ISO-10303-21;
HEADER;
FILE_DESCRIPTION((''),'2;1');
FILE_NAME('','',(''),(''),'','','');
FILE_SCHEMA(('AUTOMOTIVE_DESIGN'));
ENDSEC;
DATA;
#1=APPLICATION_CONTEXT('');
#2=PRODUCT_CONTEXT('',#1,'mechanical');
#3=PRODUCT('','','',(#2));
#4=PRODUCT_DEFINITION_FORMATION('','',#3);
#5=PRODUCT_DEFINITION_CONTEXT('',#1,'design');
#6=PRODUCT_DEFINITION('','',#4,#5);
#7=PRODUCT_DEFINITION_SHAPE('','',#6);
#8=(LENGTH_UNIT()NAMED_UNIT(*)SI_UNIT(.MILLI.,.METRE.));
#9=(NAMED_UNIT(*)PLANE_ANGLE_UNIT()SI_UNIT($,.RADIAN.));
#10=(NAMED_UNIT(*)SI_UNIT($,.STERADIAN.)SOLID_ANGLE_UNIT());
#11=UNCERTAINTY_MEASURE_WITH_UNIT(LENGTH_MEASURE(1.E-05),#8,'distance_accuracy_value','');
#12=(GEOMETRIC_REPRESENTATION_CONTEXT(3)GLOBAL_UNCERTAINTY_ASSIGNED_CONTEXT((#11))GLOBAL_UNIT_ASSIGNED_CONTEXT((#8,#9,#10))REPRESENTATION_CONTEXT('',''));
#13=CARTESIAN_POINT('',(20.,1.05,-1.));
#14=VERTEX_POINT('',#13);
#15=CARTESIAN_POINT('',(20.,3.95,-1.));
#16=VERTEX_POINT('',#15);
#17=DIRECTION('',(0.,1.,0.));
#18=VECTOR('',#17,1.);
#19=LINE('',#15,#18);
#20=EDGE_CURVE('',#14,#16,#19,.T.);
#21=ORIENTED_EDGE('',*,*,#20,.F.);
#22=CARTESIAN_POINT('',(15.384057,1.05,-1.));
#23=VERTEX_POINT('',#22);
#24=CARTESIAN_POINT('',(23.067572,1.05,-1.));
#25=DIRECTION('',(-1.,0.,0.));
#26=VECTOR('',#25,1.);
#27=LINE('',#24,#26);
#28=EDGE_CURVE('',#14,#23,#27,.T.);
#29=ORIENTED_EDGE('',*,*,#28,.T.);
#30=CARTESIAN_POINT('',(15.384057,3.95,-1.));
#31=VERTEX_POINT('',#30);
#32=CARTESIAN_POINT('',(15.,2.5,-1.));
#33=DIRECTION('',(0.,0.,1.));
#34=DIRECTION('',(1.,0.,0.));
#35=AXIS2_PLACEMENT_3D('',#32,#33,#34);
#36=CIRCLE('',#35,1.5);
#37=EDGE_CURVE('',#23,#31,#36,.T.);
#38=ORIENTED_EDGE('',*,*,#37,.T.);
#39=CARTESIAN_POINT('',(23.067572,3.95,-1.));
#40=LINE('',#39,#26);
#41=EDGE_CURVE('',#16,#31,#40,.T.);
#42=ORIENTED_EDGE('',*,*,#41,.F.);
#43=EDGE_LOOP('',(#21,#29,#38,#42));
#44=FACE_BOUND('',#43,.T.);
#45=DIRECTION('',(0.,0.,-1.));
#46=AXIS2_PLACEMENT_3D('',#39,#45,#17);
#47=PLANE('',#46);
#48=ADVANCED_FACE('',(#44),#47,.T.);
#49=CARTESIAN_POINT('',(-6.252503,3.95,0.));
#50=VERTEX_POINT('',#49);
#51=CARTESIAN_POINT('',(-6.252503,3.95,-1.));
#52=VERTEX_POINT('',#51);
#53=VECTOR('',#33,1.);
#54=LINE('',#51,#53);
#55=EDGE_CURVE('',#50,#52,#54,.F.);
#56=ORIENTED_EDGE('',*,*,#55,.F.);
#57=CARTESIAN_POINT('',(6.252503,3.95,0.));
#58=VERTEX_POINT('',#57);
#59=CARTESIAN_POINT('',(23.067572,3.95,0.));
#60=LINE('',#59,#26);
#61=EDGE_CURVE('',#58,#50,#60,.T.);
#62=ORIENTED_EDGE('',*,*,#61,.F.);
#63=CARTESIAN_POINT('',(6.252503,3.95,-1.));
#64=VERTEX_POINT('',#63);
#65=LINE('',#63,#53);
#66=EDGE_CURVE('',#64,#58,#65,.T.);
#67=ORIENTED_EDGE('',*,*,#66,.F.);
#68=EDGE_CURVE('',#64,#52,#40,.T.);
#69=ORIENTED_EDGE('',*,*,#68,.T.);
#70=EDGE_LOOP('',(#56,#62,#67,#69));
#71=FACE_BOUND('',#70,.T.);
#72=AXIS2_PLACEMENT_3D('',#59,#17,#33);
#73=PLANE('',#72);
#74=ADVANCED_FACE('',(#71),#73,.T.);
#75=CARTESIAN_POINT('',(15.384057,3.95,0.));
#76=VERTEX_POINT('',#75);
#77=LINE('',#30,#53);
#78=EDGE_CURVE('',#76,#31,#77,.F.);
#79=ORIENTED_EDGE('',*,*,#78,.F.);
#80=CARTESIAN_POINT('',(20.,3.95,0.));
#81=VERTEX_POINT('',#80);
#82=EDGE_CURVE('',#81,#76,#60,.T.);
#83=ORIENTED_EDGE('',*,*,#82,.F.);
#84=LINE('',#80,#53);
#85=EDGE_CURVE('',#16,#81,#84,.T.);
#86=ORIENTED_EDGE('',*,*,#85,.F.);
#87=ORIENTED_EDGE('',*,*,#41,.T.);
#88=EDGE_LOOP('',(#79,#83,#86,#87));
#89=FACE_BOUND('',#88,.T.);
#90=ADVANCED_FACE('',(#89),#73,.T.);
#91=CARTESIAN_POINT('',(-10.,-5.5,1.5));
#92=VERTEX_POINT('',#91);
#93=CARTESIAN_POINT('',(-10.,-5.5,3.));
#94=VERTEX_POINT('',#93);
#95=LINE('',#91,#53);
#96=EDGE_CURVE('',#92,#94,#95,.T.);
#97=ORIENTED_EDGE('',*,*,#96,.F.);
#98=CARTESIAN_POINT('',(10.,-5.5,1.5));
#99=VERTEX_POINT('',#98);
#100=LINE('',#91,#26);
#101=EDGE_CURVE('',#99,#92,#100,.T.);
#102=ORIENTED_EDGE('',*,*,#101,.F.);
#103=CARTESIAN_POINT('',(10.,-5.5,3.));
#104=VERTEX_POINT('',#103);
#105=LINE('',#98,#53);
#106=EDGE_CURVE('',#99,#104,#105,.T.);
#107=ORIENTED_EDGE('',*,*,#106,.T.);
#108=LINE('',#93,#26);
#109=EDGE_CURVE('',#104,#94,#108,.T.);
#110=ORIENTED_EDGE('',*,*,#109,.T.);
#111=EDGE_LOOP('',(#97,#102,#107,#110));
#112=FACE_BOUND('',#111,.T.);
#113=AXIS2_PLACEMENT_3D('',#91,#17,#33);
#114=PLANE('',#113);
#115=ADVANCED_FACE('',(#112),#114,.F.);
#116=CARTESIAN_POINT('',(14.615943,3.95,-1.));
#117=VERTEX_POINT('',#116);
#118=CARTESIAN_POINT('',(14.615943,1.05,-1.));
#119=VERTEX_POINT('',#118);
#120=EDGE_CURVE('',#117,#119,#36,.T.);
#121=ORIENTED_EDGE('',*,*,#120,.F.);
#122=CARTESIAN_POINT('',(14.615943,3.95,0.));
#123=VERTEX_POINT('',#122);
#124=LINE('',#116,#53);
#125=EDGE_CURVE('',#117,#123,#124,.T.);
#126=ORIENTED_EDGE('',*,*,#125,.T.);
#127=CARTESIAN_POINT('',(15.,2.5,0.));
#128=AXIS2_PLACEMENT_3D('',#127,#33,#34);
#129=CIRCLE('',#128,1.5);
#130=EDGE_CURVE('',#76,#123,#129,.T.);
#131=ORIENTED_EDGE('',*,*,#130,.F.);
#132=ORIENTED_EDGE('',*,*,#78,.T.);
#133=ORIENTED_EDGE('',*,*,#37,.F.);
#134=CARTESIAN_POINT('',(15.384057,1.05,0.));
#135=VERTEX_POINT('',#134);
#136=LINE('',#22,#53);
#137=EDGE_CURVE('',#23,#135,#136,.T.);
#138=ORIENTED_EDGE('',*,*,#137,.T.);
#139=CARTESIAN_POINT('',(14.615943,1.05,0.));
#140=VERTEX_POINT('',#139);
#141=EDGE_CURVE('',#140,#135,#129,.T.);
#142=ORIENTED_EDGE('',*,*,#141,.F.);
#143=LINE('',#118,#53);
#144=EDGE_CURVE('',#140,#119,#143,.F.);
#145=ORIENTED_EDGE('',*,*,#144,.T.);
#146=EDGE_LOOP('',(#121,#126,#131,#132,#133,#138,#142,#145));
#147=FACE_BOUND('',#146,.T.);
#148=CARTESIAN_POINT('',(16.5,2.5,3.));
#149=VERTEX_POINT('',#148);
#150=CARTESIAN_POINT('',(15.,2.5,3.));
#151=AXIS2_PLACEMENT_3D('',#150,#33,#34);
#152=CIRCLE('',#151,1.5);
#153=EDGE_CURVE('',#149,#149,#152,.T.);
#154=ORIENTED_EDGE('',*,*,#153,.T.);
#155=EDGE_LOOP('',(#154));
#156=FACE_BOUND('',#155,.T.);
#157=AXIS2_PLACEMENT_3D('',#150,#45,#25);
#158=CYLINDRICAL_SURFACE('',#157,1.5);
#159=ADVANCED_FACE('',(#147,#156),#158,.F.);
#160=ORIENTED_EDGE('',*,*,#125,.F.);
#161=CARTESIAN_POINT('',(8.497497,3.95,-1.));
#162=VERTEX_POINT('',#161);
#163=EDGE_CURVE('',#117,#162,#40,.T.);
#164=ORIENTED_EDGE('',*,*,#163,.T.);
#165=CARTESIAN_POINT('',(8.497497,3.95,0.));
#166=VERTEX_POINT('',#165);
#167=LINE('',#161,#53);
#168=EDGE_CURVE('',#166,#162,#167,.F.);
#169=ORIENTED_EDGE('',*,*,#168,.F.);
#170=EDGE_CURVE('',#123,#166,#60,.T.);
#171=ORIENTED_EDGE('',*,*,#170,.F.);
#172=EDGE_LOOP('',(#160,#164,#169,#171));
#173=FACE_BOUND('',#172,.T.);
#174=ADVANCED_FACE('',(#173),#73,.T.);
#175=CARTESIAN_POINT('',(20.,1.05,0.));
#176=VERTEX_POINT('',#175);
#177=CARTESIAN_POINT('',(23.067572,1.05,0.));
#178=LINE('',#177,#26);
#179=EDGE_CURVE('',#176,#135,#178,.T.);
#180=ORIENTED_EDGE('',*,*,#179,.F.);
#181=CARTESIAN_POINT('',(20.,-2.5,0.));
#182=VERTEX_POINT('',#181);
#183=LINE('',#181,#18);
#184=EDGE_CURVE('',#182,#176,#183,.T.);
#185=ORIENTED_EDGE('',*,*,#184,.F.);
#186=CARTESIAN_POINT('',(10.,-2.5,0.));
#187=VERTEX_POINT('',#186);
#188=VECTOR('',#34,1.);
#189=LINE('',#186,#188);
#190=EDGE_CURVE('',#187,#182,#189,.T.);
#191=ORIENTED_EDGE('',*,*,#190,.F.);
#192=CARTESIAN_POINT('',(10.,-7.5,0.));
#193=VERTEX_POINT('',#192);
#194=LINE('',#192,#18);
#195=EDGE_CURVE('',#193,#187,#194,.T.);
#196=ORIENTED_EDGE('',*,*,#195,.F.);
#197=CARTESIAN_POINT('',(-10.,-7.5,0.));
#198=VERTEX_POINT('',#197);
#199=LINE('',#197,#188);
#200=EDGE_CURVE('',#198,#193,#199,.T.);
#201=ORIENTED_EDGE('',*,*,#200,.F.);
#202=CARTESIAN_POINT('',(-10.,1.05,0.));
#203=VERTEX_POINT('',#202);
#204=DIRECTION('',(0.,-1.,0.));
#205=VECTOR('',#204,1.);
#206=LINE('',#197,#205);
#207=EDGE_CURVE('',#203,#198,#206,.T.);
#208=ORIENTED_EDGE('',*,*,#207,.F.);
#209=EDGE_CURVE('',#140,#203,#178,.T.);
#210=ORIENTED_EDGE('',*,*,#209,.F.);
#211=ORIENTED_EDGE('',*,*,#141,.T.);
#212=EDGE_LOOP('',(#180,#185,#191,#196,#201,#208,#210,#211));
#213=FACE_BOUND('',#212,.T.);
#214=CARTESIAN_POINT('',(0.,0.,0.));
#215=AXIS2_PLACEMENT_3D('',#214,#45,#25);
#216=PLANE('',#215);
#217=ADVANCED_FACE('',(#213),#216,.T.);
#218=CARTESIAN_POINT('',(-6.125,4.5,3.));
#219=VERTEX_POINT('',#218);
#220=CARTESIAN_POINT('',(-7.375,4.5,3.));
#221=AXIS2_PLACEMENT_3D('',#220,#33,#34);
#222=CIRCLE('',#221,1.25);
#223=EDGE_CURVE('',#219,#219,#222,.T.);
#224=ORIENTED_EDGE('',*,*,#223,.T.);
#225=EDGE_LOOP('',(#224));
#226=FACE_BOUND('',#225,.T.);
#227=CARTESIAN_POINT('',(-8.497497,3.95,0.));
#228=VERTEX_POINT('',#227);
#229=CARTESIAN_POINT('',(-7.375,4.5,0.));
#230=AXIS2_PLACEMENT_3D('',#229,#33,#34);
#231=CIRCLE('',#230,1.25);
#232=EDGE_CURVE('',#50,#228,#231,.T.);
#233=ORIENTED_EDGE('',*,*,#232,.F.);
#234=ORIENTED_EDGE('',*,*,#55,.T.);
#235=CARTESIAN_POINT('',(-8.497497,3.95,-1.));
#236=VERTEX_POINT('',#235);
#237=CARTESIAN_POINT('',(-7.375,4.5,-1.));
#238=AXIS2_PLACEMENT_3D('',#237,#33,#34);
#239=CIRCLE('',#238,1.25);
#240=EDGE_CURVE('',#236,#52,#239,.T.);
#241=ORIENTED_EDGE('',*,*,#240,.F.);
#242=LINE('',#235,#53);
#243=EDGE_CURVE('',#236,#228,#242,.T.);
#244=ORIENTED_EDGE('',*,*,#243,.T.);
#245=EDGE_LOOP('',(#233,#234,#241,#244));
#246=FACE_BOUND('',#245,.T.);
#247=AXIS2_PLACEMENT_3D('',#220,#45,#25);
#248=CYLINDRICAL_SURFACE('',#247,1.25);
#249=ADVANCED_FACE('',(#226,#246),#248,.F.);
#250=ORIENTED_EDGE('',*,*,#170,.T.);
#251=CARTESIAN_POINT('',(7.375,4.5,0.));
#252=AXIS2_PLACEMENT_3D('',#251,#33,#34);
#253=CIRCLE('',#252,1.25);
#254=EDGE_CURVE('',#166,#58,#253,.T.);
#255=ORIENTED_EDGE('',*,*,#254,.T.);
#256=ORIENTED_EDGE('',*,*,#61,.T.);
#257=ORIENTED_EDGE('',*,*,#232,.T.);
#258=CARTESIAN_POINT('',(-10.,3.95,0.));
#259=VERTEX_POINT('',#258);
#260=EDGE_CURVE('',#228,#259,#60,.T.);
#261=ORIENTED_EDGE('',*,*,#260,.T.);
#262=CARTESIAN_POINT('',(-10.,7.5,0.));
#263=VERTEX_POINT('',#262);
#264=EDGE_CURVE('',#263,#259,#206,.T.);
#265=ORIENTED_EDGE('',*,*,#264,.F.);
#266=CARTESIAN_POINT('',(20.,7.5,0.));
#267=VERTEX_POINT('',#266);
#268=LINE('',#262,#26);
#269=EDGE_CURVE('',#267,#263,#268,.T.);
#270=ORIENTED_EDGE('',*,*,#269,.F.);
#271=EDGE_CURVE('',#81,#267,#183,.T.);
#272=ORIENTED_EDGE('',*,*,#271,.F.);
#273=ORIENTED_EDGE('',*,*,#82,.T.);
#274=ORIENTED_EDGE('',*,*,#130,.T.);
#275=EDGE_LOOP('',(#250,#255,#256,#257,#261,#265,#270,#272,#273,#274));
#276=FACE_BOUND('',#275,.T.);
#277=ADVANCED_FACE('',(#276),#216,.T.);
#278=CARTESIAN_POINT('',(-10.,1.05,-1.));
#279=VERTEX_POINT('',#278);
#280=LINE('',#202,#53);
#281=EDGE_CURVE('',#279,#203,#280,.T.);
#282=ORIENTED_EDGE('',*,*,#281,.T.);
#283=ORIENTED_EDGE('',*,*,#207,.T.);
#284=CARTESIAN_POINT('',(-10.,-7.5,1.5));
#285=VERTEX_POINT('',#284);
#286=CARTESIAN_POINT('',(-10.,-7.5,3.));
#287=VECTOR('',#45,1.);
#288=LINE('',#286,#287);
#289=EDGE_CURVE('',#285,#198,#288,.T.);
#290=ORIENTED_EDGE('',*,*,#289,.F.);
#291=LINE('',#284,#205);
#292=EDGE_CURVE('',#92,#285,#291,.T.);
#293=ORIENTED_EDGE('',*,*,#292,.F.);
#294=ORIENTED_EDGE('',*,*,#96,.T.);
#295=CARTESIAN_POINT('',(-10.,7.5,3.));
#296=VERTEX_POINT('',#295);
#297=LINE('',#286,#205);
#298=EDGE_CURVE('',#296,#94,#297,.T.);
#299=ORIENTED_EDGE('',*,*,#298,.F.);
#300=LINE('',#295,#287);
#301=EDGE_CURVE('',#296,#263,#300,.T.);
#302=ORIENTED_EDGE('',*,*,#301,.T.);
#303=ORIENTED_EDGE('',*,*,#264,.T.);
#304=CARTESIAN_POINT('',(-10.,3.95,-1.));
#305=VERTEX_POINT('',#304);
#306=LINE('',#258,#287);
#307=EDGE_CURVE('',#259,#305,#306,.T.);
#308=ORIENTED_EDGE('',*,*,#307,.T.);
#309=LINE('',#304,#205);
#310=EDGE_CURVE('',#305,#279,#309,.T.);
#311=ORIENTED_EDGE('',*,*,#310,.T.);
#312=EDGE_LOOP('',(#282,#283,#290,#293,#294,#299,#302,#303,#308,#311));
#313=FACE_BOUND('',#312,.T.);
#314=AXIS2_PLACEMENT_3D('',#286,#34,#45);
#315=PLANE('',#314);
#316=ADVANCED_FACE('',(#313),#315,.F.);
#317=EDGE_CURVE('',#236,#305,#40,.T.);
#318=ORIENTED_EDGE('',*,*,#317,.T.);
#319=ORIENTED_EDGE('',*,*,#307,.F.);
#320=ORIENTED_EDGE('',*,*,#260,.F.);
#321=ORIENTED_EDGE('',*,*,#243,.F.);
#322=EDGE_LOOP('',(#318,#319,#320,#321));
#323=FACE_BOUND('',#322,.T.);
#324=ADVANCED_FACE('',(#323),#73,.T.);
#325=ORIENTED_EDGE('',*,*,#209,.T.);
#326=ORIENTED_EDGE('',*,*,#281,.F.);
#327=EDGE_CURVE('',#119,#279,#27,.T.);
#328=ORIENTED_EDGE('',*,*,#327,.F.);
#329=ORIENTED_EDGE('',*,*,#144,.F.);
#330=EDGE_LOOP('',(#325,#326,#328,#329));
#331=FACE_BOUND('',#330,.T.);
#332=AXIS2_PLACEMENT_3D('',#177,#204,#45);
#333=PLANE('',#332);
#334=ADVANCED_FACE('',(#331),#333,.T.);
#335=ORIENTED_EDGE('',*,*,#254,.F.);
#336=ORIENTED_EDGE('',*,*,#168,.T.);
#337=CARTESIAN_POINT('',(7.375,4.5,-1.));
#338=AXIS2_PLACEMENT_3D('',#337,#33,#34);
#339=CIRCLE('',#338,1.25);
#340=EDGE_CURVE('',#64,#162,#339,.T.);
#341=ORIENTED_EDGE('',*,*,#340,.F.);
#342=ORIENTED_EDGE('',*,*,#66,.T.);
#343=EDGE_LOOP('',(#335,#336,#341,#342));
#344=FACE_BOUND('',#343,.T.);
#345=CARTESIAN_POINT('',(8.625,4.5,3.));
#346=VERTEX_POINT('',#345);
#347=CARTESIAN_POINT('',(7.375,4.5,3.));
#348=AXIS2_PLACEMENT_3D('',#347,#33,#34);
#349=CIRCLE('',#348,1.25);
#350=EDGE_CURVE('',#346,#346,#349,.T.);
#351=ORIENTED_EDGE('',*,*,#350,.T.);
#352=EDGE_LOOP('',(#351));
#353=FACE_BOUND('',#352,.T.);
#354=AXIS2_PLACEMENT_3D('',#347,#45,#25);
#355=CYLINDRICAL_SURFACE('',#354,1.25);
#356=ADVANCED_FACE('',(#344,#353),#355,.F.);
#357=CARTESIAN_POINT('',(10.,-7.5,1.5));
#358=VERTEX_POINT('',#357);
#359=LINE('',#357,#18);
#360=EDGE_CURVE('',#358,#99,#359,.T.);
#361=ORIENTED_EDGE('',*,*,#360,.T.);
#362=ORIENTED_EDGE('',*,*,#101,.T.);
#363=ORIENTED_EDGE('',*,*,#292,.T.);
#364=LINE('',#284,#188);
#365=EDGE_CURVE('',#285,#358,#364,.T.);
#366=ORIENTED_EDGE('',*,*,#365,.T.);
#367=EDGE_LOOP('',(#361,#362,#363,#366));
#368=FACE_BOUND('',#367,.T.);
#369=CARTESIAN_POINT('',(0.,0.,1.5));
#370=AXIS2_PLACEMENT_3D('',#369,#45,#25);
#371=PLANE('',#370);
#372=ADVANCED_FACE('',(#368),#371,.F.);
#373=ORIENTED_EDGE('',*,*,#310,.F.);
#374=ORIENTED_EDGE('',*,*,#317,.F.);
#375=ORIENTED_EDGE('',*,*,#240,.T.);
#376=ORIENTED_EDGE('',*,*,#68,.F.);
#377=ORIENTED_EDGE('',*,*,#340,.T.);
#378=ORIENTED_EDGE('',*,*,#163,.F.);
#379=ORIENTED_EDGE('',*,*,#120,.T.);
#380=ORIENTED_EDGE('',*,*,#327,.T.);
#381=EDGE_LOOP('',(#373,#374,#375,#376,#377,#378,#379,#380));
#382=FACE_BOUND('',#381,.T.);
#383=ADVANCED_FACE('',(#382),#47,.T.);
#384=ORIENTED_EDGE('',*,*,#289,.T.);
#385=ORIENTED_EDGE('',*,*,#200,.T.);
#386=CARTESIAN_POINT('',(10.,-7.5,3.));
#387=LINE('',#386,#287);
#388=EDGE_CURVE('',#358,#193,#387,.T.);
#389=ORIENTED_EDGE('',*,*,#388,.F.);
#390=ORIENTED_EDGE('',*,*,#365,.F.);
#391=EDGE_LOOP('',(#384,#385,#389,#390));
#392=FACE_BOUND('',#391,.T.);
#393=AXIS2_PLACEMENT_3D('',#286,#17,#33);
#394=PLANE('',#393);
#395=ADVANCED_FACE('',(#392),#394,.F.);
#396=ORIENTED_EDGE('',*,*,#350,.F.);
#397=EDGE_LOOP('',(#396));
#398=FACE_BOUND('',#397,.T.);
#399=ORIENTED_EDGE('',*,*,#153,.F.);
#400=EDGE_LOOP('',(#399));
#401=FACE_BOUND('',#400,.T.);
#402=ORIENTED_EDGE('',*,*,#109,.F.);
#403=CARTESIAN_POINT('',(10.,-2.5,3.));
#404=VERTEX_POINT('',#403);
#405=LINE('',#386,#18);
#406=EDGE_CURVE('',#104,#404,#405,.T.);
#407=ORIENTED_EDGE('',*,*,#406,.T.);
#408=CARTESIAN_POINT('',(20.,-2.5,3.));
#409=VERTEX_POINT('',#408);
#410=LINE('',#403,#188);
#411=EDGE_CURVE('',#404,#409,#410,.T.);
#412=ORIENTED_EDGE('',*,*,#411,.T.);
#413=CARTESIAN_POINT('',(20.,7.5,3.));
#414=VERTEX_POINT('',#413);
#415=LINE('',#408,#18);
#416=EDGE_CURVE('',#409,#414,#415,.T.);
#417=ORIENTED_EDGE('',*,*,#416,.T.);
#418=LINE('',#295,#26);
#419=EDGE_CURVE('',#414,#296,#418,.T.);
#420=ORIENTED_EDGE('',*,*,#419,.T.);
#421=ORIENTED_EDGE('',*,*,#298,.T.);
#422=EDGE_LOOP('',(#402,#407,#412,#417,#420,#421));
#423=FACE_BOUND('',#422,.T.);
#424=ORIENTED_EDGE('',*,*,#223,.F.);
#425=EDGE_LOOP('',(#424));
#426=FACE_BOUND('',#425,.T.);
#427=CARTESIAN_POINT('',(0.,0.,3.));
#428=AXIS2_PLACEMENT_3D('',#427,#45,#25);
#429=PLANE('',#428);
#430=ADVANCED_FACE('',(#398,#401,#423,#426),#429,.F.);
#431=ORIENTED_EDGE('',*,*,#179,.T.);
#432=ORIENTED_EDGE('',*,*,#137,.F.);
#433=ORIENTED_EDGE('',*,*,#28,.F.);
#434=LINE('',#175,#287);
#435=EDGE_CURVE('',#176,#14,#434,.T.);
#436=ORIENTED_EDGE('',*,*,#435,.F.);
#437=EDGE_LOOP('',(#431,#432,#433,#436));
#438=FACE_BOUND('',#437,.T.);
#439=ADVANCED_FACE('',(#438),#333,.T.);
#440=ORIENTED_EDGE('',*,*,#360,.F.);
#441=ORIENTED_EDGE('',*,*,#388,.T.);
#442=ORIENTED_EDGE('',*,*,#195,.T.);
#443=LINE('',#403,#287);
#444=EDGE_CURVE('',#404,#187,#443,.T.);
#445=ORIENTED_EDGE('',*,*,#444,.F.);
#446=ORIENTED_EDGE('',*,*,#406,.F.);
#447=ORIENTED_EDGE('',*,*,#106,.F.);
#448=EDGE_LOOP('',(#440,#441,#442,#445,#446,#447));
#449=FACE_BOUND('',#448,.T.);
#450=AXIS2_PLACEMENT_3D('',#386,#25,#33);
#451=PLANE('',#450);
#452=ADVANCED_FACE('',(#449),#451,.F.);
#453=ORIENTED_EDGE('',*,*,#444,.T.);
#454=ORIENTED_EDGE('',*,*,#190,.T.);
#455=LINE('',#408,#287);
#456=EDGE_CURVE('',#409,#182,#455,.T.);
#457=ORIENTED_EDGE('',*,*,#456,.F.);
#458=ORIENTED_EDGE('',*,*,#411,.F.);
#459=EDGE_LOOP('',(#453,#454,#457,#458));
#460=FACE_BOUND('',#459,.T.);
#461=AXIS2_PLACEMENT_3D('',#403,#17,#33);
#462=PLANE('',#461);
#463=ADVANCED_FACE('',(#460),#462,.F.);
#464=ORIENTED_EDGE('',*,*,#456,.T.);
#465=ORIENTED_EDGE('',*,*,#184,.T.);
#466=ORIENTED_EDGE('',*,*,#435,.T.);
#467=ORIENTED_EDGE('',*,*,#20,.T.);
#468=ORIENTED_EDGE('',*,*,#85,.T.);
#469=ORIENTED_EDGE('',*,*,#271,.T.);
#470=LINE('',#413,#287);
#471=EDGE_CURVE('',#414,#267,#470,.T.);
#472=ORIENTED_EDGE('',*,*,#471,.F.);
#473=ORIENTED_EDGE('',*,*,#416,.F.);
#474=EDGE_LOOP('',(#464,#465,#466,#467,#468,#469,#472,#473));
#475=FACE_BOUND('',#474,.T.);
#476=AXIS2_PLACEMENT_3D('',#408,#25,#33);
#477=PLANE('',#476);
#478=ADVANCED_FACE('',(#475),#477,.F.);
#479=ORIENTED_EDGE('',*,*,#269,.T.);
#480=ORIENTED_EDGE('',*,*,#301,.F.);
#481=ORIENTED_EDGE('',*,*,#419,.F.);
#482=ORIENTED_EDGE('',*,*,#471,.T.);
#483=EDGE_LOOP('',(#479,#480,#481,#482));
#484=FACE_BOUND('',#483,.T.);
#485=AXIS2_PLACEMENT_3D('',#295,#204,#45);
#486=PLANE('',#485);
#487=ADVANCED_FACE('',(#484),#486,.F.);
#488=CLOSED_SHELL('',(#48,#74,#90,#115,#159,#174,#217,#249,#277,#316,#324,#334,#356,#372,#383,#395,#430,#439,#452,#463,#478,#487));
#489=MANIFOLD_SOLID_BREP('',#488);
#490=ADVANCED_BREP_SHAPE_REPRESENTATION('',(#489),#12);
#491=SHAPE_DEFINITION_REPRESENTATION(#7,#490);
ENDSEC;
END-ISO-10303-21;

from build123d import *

# Parameters (mm, degrees)
SKETCH1_R              = 1.25
SKETCH1_R_2            = 1.5
MAIN_DEPTH             = 3
SKETCH2_W              = 20
SKETCH2_H              = 2
PINHOLES_DEPTH         = 1.5
SKETCH3_W              = 1
SKETCH3_H              = 2.9
MAKERBEAMSUPPORT_DEPTH = 30
SKETCH4_R              = 1.25
SKETCH4_R_2            = 1.5
HOLES2_DEPTH           = 5


with BuildPart() as part:
    # Sketch1 → Main (new body)
    with BuildSketch(Plane.XY):
        Polygon((-10, -7.5), (10, -7.5), (10, -2.5), (20, -2.5), (20, 7.5), (-10, 7.5), align=None)
        with Locations((-7.375, 4.5)):
            Circle(SKETCH1_R, mode=Mode.SUBTRACT)
        with Locations((7.375, 4.5)):
            Circle(SKETCH1_R, mode=Mode.SUBTRACT)
        with Locations((15, 2.5)):
            Circle(SKETCH1_R_2, mode=Mode.SUBTRACT)
    extrude(amount=MAIN_DEPTH)

    # Sketch2 → PinHoles (cut)
    with BuildSketch(Plane.XY.offset(3)):
        with Locations((0, -6.5)):
            Rectangle(SKETCH2_W, SKETCH2_H)
    extrude(amount=-PINHOLES_DEPTH, mode=Mode.SUBTRACT)

    # Sketch3 → MakerBeamSupport (add)
    with BuildSketch(Plane.ZY.offset(10)):
        with Locations((-0.5, 2.5)):
            Rectangle(SKETCH3_W, SKETCH3_H)
    extrude(amount=-MAKERBEAMSUPPORT_DEPTH)

    # Sketch4 → Holes2 (cut, through all)
    with BuildSketch(Plane.XY.offset(3)):
        with Locations((-7.375, 4.5)):
            Circle(SKETCH4_R)
        with Locations((7.375, 4.5)):
            Circle(SKETCH4_R)
        with Locations((15, 2.5)):
            Circle(SKETCH4_R_2)
    extrude(amount=-HOLES2_DEPTH, mode=Mode.SUBTRACT)


solid = part.part
